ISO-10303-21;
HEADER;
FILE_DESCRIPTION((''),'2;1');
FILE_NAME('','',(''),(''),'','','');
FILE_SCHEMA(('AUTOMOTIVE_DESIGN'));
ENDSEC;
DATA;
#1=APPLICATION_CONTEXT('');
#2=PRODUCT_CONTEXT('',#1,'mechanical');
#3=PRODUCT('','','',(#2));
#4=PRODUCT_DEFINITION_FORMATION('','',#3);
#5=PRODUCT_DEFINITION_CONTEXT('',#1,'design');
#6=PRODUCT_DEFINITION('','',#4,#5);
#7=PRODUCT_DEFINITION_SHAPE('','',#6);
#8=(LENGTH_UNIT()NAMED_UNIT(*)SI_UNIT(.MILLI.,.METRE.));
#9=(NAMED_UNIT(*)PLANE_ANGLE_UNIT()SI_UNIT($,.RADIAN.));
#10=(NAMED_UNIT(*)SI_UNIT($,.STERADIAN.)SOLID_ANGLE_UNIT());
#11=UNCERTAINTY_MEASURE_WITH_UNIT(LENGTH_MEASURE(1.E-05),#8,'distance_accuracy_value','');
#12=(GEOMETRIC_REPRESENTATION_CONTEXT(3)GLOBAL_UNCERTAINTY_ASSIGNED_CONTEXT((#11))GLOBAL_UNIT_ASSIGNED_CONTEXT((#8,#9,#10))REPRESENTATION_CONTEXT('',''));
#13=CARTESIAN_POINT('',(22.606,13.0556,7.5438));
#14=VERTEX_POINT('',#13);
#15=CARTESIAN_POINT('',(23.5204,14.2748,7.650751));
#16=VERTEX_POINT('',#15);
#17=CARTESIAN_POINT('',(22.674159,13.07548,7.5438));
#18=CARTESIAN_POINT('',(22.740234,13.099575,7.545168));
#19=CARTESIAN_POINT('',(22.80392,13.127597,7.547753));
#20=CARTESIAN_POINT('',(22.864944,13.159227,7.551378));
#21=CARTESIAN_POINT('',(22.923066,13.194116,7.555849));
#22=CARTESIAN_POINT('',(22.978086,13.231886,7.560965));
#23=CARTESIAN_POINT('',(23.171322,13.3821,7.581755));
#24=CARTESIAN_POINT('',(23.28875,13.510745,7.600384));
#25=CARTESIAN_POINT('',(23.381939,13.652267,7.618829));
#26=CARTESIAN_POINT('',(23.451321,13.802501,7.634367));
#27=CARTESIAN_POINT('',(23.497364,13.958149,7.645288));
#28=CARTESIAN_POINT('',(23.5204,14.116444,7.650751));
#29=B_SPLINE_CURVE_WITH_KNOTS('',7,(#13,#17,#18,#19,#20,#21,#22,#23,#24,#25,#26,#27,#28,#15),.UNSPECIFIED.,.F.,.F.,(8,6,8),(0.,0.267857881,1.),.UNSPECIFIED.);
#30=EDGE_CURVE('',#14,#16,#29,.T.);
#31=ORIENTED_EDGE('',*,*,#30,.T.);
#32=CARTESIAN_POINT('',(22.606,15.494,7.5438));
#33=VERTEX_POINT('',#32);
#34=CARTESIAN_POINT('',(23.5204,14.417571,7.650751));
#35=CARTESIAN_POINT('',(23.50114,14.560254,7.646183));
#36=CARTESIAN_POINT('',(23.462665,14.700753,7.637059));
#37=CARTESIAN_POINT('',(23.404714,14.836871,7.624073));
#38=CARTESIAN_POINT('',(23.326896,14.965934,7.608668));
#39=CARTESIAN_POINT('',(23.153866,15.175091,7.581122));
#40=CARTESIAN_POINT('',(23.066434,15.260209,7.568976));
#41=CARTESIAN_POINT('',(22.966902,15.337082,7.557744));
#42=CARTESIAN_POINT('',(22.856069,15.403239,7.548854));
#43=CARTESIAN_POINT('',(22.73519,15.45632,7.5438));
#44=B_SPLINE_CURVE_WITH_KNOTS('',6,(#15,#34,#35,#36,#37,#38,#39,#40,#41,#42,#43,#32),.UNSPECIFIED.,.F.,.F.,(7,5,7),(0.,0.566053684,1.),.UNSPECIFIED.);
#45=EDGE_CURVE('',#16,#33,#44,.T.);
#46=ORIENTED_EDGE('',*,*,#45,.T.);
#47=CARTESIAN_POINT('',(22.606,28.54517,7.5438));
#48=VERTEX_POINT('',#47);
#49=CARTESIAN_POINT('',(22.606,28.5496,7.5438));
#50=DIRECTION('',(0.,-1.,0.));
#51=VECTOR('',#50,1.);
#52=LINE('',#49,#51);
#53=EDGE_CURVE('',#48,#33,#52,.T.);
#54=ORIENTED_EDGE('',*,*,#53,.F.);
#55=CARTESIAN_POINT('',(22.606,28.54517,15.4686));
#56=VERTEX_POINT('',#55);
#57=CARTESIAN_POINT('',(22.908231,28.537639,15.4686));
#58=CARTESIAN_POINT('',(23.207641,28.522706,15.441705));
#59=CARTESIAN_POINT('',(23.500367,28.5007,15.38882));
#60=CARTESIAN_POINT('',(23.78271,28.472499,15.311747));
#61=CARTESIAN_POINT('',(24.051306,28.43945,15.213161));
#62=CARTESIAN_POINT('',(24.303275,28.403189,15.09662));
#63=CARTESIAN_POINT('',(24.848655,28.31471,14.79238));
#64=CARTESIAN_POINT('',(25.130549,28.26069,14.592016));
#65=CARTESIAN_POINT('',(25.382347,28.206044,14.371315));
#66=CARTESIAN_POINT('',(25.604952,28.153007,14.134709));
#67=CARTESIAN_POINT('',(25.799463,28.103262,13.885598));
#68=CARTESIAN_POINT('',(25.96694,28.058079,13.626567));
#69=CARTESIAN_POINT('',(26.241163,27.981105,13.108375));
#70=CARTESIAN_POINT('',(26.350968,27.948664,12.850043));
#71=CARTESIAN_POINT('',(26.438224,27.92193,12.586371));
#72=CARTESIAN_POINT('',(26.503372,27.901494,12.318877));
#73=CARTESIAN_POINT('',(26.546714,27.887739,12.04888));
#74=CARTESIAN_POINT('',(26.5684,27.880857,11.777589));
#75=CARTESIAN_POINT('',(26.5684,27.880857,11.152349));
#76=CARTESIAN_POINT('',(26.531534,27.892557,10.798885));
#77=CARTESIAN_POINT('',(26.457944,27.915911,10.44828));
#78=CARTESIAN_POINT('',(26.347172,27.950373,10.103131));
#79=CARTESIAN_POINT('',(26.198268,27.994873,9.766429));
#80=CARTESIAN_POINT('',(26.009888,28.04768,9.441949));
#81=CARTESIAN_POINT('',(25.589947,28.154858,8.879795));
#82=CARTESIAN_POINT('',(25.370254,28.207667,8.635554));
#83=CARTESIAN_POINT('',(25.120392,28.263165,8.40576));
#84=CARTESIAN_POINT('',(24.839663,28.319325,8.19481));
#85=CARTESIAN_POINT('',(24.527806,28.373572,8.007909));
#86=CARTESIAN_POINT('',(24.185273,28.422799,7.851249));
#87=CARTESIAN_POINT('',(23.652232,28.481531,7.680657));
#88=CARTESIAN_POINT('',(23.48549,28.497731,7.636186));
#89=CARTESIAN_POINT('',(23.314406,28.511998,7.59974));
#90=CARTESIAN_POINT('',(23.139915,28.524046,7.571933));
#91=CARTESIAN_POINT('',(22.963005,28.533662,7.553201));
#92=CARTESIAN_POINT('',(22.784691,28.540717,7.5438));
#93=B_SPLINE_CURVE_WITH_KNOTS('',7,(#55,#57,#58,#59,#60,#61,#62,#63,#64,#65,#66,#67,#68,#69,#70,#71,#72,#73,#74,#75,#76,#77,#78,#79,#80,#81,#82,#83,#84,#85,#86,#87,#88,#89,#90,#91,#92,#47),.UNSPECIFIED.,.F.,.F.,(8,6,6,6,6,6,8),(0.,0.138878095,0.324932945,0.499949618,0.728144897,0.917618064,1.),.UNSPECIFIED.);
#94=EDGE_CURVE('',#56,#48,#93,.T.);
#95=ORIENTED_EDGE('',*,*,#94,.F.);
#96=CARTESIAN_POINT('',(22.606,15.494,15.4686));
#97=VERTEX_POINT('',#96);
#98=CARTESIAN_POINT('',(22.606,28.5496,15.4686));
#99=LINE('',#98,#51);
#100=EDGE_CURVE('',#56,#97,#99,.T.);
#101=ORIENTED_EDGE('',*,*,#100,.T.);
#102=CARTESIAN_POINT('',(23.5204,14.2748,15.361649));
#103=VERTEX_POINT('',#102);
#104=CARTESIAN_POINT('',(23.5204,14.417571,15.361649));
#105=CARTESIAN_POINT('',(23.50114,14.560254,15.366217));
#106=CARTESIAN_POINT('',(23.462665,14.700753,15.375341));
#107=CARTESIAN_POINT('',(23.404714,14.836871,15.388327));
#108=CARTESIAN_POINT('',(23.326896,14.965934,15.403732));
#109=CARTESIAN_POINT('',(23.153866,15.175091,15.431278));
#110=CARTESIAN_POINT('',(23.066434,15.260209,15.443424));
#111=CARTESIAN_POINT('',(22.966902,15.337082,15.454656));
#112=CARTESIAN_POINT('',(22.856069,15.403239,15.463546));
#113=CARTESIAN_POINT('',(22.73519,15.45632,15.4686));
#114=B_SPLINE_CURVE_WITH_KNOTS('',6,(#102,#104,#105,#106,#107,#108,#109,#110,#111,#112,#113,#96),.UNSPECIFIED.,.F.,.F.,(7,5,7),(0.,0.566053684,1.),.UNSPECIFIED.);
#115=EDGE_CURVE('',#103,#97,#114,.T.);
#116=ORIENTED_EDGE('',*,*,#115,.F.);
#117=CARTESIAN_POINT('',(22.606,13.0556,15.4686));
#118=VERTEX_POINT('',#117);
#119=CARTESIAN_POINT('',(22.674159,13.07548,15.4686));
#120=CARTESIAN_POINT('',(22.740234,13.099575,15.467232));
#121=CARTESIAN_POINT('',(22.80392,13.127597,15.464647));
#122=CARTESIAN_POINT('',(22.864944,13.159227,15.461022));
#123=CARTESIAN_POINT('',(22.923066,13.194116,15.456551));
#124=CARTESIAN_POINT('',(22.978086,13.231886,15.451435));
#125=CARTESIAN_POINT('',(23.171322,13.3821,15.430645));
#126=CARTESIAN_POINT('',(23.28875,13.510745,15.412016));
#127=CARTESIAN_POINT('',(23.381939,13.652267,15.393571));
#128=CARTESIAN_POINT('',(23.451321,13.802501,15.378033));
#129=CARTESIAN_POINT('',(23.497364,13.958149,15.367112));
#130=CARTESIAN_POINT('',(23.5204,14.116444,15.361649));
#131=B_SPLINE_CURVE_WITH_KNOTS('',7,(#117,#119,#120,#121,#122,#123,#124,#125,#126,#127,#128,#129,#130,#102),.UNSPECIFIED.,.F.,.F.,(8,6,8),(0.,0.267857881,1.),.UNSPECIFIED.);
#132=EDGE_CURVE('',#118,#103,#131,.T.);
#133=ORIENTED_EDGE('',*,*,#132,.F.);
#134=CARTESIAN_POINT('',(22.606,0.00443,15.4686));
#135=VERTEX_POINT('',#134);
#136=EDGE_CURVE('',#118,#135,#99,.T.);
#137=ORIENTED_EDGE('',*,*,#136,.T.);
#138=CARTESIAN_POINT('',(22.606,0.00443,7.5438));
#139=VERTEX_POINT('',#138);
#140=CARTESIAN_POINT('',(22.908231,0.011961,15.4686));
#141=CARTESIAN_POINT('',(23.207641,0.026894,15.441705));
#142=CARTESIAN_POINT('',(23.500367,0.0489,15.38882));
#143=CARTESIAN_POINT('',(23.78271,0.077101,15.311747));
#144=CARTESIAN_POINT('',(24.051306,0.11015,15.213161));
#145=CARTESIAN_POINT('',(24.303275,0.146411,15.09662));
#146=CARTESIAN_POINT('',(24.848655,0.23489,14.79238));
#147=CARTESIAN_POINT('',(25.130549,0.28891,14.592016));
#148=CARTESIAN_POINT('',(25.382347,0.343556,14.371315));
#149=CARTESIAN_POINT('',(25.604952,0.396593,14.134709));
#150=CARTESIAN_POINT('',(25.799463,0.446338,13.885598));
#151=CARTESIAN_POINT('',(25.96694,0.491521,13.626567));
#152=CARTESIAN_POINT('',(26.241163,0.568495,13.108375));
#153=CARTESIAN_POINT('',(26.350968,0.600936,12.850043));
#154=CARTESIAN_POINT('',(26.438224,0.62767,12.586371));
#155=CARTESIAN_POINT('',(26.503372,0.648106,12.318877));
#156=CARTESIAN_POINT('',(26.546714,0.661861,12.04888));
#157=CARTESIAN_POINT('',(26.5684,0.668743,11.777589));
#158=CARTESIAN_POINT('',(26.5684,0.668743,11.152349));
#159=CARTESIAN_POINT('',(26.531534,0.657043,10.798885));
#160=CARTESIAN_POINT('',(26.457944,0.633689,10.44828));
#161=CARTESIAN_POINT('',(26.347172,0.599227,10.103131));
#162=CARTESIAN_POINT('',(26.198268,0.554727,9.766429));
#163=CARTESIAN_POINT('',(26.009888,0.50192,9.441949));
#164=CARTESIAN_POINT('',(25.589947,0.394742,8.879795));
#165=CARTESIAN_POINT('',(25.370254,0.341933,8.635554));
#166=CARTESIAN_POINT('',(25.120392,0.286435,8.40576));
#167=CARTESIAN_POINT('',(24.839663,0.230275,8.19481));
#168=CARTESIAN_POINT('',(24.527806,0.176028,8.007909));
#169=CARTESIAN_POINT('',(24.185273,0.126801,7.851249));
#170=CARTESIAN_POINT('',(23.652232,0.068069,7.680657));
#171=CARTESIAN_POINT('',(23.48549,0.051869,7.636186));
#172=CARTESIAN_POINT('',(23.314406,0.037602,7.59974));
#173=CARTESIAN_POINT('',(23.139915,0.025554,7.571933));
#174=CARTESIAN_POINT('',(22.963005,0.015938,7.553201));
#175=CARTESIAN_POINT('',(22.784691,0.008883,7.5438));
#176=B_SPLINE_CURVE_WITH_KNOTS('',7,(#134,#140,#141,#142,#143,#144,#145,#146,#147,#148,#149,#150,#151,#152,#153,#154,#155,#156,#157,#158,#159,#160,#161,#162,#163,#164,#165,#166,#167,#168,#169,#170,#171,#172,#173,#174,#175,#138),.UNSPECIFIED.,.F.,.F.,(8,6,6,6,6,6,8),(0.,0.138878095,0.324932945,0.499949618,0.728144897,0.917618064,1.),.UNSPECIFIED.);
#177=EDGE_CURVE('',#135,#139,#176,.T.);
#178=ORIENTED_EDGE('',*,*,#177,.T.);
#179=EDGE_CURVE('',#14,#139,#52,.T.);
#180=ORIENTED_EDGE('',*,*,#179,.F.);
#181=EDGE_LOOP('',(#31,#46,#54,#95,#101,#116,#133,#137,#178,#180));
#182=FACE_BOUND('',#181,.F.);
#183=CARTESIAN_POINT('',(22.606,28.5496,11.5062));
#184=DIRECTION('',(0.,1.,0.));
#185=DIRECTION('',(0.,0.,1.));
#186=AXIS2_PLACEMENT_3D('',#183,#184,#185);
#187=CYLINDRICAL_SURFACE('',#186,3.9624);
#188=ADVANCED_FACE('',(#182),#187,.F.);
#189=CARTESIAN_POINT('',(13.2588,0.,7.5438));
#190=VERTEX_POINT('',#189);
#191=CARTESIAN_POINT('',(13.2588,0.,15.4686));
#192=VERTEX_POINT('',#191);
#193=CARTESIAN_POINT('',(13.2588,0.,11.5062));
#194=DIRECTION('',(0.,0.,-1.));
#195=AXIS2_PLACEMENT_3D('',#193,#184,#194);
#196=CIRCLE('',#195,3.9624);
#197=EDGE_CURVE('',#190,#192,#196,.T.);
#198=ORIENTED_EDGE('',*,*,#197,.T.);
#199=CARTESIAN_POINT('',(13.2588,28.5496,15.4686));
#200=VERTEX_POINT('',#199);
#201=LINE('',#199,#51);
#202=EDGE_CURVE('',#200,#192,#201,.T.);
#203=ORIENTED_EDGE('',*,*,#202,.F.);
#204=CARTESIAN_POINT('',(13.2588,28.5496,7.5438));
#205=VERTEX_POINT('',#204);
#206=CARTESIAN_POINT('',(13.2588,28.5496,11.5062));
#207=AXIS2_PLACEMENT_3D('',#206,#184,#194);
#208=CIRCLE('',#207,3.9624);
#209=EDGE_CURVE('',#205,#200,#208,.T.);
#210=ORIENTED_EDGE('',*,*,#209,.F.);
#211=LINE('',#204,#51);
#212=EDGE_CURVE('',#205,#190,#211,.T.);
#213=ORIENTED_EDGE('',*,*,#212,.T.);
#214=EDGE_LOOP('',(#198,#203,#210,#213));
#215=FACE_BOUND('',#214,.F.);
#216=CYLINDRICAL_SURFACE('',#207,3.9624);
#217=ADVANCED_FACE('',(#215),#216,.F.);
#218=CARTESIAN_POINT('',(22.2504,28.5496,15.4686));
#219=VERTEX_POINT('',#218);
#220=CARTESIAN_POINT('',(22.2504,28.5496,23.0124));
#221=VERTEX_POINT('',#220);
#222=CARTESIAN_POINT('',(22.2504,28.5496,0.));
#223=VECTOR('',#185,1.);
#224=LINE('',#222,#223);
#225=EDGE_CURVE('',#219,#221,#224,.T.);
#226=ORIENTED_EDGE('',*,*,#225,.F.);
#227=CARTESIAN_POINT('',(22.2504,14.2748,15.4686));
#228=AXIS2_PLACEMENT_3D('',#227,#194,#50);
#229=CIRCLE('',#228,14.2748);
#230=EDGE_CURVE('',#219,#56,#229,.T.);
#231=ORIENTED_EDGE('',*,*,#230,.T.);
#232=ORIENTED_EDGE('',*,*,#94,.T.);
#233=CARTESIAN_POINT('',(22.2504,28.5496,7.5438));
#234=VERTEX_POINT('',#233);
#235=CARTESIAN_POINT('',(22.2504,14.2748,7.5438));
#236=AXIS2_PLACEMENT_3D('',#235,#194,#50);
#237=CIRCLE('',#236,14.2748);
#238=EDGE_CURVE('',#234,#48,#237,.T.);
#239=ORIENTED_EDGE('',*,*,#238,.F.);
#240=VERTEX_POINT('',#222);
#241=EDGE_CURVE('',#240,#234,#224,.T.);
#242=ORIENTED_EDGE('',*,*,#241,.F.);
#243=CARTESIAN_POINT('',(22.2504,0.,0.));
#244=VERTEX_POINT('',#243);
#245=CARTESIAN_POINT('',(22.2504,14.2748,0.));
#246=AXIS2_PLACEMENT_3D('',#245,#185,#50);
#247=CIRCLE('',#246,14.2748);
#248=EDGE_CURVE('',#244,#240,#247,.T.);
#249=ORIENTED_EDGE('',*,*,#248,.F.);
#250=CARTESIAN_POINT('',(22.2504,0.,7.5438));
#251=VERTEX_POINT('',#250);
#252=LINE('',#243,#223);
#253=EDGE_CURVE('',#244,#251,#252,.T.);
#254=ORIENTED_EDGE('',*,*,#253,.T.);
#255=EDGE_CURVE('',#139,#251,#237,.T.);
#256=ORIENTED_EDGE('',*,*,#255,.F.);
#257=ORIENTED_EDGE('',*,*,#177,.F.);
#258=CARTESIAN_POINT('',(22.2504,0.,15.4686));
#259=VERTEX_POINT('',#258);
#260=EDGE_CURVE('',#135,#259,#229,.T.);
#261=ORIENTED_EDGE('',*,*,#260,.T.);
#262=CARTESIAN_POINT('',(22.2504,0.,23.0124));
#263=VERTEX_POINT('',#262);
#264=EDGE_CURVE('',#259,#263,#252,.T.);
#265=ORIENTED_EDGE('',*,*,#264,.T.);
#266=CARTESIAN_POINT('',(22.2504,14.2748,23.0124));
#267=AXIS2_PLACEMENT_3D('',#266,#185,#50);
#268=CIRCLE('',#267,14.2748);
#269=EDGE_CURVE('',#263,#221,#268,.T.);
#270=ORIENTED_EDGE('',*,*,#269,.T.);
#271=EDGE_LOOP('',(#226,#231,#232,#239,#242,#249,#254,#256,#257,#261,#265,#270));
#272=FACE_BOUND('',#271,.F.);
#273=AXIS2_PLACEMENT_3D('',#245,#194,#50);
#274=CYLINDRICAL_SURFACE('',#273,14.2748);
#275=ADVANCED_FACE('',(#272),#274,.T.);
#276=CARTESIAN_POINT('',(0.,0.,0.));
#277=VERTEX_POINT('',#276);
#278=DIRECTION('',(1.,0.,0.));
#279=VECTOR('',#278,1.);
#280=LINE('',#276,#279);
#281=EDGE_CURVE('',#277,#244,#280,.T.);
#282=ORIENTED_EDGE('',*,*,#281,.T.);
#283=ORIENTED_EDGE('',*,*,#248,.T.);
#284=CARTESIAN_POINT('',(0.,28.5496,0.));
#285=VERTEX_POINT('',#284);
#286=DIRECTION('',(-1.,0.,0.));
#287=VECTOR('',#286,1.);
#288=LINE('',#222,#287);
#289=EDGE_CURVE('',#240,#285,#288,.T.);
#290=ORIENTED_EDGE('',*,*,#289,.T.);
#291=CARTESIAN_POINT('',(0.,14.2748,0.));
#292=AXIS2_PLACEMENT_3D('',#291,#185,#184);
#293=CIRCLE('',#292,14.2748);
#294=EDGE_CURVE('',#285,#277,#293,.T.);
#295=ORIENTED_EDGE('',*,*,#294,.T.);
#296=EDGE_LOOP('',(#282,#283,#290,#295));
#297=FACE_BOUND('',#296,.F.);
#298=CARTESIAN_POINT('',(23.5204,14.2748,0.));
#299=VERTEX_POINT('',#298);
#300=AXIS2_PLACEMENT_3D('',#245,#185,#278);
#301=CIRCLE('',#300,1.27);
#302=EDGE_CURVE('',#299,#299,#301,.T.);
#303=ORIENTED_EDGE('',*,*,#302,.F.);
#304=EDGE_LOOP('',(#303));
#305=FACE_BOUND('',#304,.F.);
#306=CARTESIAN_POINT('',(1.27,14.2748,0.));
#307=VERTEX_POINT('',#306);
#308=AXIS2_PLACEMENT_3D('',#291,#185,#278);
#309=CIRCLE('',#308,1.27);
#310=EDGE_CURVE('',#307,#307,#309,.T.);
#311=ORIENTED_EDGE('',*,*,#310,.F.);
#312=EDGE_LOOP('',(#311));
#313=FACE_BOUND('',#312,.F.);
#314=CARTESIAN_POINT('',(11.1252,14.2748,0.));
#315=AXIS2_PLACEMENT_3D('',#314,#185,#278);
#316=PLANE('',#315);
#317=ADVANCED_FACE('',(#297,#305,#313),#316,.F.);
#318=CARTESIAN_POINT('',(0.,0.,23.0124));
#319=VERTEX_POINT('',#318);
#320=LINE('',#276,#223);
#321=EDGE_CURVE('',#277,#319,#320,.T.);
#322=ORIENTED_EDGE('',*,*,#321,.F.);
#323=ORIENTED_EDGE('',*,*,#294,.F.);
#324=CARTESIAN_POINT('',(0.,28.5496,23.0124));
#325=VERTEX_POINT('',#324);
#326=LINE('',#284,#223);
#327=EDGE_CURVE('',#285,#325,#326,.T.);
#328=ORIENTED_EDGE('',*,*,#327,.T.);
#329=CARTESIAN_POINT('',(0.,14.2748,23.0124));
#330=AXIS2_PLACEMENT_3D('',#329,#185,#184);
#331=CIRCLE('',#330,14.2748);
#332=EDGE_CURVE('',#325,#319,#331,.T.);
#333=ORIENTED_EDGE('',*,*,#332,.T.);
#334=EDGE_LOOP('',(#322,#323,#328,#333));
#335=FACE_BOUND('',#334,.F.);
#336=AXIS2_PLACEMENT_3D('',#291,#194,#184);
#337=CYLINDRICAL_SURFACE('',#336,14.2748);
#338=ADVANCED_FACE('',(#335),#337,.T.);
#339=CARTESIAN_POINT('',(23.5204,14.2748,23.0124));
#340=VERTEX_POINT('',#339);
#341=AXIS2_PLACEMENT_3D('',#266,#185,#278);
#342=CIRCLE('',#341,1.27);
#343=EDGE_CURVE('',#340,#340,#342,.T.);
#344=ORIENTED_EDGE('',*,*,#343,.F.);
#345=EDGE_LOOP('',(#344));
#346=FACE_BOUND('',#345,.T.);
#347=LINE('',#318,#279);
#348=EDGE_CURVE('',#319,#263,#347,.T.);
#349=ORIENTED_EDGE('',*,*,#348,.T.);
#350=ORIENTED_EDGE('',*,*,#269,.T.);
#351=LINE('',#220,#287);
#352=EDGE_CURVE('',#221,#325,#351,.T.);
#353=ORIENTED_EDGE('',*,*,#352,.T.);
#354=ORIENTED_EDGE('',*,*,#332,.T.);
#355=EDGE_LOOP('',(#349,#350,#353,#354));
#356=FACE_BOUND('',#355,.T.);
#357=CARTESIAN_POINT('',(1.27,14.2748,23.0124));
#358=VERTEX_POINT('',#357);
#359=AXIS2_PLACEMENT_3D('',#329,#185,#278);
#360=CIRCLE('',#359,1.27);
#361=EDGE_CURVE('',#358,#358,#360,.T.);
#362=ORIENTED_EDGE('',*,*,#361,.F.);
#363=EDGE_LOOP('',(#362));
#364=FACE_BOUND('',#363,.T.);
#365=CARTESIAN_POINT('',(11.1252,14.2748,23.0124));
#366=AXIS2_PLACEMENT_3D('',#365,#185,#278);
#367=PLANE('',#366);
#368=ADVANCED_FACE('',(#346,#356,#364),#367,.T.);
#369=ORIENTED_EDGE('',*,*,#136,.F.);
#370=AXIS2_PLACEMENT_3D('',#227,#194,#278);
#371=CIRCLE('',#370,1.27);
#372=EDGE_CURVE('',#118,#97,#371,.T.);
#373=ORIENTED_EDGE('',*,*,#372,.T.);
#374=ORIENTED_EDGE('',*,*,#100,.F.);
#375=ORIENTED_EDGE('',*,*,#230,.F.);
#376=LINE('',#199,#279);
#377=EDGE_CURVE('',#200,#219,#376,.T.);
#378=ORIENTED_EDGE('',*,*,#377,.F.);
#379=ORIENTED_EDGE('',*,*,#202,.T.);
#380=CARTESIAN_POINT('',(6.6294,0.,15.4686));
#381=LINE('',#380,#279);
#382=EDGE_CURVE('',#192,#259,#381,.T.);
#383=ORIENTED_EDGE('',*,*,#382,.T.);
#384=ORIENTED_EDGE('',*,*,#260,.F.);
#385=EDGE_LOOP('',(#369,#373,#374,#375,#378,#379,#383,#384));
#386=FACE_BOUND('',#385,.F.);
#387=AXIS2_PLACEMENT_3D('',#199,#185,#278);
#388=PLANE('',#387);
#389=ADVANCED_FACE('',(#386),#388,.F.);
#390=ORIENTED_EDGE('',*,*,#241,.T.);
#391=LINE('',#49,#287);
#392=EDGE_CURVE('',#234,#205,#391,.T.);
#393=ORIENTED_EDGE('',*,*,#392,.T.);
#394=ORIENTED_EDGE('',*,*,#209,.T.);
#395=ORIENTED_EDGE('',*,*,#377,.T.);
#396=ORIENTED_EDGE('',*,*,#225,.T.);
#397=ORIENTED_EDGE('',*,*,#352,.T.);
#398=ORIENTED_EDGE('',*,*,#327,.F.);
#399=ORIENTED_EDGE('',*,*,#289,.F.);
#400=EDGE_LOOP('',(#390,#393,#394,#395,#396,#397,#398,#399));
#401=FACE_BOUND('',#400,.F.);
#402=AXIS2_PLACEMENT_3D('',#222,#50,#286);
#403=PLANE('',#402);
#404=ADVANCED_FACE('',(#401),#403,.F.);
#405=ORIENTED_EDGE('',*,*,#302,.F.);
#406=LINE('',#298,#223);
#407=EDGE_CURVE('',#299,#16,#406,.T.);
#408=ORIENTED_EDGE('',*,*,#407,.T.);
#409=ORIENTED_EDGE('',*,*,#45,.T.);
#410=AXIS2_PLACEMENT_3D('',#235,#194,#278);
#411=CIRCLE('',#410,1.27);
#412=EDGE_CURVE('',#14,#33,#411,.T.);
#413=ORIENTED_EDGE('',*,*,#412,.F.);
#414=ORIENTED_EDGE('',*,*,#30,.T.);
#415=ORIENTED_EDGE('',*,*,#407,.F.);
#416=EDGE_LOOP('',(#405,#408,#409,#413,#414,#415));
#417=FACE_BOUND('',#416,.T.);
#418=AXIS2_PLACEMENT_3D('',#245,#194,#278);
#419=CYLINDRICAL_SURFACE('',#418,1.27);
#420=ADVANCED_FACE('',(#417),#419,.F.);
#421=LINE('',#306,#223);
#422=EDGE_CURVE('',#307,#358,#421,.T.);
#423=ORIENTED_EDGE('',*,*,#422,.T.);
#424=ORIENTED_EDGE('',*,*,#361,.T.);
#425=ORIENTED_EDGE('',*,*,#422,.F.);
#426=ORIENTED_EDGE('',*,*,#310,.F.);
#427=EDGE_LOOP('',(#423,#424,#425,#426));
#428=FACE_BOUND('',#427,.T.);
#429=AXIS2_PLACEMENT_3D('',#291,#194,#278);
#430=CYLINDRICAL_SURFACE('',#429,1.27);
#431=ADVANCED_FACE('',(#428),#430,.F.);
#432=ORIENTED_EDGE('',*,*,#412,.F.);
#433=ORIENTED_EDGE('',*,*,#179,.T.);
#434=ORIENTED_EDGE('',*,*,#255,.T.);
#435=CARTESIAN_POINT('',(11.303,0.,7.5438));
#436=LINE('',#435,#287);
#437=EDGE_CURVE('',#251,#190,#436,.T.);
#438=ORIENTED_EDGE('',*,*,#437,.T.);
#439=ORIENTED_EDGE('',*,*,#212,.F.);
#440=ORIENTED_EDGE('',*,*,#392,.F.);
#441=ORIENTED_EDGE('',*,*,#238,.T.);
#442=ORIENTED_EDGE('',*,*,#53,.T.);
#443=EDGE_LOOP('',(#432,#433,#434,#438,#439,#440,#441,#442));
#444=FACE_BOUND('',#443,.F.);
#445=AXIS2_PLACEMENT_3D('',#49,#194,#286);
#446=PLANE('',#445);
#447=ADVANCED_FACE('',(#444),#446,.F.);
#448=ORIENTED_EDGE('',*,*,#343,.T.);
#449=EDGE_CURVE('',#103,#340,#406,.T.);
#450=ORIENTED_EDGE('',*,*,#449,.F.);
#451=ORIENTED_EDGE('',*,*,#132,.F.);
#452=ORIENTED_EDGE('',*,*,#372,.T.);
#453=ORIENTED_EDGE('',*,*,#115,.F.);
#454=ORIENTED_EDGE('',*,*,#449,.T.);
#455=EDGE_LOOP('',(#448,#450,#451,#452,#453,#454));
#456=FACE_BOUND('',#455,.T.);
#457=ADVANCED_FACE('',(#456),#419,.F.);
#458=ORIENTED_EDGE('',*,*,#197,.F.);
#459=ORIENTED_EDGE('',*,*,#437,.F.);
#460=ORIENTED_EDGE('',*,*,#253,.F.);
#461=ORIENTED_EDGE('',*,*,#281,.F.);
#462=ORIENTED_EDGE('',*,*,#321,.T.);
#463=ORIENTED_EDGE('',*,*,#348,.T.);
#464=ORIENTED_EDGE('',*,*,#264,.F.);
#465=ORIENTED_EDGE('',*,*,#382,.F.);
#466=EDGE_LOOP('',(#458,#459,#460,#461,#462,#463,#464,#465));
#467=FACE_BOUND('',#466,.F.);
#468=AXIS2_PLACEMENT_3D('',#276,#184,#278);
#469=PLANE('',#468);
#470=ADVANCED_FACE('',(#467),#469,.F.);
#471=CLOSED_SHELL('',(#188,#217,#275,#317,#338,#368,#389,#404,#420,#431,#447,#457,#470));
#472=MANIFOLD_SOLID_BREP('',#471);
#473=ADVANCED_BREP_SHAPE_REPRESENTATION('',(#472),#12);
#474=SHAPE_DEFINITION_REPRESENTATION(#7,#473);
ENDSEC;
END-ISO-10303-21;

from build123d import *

# Parameters (mm, degrees)
F0_R     = 1.27
F1_DEPTH = 23.0124
F3_DEPTH = 50.8


with BuildPart() as f1:
    # F0 (on Top) → F1 (new body)
    with BuildSketch(Plane.XY):
        with BuildLine():
            ThreePointArc((0, 28.5496), (-14.2748, 14.2748), (0, 0))
            Line((0, 0), (22.2504, 0))
            ThreePointArc((22.2504, 0), (36.5252, 14.2748), (22.2504, 28.5496))
            Line((22.2504, 28.5496), (0, 28.5496))
        make_face()
        with Locations((0, 14.2748)):
            Circle(F0_R, mode=Mode.SUBTRACT)
        with Locations((22.2504, 14.2748)):
            Circle(F0_R, mode=Mode.SUBTRACT)
    extrude(amount=F1_DEPTH)

    # F2 (on face) → F3 (cut)
    with BuildSketch(Plane(origin=(0, 28.5496, 0), x_dir=(-1, 0, 0), z_dir=(0, 1, 0))):
        with BuildLine():
            ThreePointArc((-22.606, 15.4686), (-26.5684, 11.5062), (-22.606, 7.5438))
            Line((-22.606, 7.5438), (-22.2504, 7.5438))
            Line((-22.2504, 7.5438), (-22.2504, 15.4686))
            Line((-22.2504, 15.4686), (-22.606, 15.4686))
        make_face()
        with BuildLine():
            Line((-22.2504, 15.4686), (-22.2504, 7.5438))
            Line((-22.2504, 7.5438), (-13.2588, 7.5438))
            ThreePointArc((-13.2588, 7.5438), (-9.2964, 11.5062), (-13.2588, 15.4686))
            Line((-13.2588, 15.4686), (-22.2504, 15.4686))
        make_face()
    extrude(amount=-F3_DEPTH, mode=Mode.SUBTRACT)


solid = f1.part
